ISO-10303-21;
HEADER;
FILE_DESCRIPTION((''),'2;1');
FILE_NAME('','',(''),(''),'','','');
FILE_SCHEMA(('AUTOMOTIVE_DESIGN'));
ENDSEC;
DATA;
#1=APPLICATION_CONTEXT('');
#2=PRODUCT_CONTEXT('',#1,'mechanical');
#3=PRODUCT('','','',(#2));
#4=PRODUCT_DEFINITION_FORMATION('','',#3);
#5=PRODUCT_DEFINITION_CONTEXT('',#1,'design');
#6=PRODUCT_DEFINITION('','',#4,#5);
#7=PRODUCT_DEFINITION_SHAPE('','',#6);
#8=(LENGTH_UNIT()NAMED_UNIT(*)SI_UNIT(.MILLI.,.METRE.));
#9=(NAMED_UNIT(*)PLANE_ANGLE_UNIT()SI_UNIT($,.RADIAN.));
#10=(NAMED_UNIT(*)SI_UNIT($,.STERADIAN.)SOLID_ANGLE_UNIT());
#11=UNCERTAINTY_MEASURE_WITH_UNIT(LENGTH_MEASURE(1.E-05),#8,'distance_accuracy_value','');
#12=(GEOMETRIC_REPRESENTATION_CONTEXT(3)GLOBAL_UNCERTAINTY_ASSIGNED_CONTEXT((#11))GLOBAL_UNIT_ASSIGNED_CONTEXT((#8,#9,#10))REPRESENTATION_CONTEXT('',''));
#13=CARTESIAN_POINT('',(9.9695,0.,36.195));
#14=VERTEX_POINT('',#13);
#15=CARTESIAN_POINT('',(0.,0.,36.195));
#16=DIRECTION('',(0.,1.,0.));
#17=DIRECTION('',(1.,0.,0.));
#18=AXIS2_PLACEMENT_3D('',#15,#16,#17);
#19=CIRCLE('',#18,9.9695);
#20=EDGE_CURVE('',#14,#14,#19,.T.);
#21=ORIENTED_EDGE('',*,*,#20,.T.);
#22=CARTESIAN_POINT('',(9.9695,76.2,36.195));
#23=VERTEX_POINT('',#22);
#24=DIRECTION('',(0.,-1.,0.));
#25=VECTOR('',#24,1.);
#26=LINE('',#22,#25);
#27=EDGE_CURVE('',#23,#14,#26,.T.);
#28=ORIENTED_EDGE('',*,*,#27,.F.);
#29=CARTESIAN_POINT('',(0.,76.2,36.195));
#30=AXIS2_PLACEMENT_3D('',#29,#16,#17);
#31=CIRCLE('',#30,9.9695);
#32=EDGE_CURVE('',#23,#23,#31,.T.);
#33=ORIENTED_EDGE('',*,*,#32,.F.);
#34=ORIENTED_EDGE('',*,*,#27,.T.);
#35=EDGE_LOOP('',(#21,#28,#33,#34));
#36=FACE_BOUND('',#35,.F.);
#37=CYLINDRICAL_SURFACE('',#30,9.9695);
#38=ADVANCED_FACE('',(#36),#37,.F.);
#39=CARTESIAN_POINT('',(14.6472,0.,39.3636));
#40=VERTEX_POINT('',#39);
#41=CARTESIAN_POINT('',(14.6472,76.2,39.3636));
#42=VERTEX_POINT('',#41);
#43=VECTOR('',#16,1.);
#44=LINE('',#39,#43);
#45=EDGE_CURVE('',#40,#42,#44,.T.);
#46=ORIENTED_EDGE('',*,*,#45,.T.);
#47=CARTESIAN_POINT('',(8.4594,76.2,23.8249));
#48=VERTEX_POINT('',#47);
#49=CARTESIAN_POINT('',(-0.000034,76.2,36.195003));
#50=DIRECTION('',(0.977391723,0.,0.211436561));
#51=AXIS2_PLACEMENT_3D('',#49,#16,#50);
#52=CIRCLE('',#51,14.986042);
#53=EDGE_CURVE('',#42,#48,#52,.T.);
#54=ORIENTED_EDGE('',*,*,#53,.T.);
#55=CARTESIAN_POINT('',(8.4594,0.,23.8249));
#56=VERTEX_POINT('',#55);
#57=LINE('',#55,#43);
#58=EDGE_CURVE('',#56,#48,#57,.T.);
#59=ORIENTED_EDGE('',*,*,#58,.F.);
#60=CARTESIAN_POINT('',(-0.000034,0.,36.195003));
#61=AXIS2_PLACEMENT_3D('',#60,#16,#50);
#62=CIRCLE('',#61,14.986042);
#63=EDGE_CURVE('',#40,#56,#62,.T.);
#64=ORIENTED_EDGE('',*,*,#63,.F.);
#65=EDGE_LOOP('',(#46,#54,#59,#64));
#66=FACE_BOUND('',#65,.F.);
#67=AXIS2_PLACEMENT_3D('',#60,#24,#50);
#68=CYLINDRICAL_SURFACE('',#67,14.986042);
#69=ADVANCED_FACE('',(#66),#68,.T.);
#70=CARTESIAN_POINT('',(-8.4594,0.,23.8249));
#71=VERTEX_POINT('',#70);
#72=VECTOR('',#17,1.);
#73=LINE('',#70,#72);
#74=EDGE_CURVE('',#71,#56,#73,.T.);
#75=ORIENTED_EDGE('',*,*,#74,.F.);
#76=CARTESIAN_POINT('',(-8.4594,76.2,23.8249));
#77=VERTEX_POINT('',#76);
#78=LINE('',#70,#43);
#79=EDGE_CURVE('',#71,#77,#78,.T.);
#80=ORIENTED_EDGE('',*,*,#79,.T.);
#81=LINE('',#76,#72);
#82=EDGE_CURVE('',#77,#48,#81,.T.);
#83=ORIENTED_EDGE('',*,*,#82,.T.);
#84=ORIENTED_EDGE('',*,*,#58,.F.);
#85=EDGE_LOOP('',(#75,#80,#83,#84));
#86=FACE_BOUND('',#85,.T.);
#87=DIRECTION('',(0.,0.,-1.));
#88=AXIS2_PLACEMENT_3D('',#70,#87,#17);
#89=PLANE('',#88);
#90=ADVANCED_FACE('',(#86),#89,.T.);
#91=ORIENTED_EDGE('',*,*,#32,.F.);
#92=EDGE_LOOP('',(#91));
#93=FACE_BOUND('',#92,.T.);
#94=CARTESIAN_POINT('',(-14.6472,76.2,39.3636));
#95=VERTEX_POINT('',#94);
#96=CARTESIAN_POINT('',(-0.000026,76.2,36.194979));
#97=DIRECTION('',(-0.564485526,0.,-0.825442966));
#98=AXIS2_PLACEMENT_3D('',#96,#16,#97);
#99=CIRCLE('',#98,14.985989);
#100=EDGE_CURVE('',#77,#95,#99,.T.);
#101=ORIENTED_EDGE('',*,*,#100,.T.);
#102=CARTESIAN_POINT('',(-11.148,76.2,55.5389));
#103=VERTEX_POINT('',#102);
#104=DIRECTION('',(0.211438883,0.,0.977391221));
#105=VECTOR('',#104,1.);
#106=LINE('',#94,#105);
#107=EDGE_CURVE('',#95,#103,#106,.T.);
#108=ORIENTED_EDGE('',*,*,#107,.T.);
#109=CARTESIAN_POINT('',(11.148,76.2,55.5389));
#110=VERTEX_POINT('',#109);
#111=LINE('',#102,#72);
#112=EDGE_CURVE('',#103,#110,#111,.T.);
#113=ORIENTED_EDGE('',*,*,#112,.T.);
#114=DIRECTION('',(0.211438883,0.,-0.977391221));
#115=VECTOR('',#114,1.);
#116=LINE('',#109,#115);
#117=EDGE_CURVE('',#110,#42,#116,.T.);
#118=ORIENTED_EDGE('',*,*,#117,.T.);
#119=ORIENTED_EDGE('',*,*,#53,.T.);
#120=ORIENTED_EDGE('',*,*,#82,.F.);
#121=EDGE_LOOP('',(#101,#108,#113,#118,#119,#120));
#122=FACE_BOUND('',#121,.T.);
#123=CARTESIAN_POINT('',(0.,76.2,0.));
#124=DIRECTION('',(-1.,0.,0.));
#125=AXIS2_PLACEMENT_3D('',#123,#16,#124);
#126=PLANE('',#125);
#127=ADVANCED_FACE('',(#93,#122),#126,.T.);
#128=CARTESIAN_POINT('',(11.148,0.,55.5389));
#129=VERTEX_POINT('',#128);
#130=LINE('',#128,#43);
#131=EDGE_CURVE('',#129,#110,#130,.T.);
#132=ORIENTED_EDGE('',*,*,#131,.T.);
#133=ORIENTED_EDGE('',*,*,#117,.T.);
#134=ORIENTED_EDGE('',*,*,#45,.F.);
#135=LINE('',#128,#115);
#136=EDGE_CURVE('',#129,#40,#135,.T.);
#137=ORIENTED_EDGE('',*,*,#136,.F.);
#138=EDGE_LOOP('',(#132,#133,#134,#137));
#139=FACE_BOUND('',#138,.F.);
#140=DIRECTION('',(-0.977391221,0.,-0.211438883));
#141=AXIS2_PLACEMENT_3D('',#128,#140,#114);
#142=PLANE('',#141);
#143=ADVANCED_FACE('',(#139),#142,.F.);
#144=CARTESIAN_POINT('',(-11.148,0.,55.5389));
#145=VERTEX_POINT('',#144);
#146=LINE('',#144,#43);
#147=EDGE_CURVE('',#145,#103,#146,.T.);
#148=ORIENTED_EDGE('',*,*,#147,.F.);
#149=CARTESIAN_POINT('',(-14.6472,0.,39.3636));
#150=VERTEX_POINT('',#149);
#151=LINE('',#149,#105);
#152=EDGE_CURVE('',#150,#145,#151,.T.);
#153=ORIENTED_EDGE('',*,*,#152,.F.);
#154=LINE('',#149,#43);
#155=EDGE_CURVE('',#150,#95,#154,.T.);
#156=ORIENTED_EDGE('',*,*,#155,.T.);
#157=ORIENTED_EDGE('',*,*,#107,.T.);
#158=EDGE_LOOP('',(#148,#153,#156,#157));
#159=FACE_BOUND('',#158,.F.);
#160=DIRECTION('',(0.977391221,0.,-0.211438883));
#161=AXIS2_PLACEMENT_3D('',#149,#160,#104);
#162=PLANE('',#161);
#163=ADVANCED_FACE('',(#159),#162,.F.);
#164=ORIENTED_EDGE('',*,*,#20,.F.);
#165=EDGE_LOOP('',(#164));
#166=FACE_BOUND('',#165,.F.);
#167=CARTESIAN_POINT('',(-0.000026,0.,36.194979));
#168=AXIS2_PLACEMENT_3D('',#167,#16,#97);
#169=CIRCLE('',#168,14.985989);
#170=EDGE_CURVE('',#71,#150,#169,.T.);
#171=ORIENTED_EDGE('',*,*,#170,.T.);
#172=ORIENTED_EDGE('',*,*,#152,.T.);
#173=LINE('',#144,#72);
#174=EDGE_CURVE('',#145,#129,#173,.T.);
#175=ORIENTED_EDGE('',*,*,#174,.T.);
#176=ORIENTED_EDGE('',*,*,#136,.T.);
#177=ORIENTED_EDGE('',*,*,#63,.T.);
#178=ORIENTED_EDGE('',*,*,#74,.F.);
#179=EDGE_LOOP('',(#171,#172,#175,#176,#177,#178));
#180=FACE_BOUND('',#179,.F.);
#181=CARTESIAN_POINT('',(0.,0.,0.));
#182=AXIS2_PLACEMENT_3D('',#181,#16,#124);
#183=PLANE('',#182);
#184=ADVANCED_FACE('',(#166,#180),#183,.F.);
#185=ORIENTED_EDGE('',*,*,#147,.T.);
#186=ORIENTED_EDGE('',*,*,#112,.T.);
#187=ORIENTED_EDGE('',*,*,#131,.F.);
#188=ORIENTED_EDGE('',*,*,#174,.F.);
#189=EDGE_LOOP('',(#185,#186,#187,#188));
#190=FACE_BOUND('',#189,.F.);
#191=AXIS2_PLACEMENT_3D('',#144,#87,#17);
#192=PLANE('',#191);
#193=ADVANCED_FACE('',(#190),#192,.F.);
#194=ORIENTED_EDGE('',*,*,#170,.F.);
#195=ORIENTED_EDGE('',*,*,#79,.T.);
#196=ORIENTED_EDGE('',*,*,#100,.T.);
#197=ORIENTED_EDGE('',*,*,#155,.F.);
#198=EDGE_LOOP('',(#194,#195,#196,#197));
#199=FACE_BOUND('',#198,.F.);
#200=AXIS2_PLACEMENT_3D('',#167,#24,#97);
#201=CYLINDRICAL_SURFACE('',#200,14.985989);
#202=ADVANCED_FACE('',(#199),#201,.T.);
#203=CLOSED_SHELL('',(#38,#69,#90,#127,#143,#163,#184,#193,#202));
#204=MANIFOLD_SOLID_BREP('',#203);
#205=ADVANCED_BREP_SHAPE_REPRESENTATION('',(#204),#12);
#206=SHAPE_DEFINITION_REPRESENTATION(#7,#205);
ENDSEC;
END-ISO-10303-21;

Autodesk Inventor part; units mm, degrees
ref_plane "YZ Plane" through (0, 0, 0) normal (1, 0, 0) x (0, 1, 0)
ref_plane "XZ Plane" through (0, 0, 0) normal (0, 1, 0) x (-1, 0, 0)
ref_plane "XY Plane" through (0, 0, 0) normal (0, 0, 1) x (1, 0, 0)
sketch "Sketch1" plane through (0, 0, 0) normal (0, 1, 0) x (-1, 0, 0)
  line L0 (19.6595, 54.9113) -> (15.5413, 59.0295)
  arc A0 (15.5413, 59.0295) -> (13.0268, 60.071) centre (13.0268, 56.515) ccw
  line L1 (13.0268, 60.071) -> (-13.0268, 60.071)
  arc A1 (-13.0268, 60.071) -> (-15.5413, 59.0295) centre (-13.0268, 56.515) ccw
  line L2 (-15.5413, 59.0295) -> (-19.6595, 54.9113)
  arc A2 (-19.6595, 54.9113) -> (-20.701, 52.3968) centre (-17.145, 52.3968) ccw
  line L3 (-20.701, 52.3968) -> (-20.701, 0)
  arc A3 (-20.701, 0) -> (20.701, 0) centre (0, 0) ccw
  line L4 (20.701, 0) -> (20.701, 52.3968)
  arc A4 (20.701, 52.3968) -> (19.6595, 54.9113) centre (17.145, 52.3968) ccw
  arc A5 (8.4594, 23.8249) -> (8.3222, 23.1257) centre (8.7461, 23.4056) ccw
  arc A6 (8.4594, 23.8249) -> (14.6472, 39.3636) centre (0, 36.195) ccw
  line L5 (14.6472, 39.3636) -> (11.148, 55.5389)
  arc A7 (11.5371, 56.1429) -> (11.148, 55.5389) centre (11.6445, 55.6463) ccw
  line L6 (11.5371, 56.1429) -> (13.5232, 56.5725)
  arc A8 (14.1271, 56.1834) -> (13.5232, 56.5725) centre (13.6306, 56.076) ccw
  line L7 (14.1271, 56.1834) -> (17.6263, 40.0081)
  arc A9 (10.1516, 21.2896) -> (17.6263, 40.0081) centre (0, 36.195) ccw
  arc A10 (9.4417, 21.4297) -> (10.1516, 21.2896) centre (9.8656, 21.7095) ccw
  line L8 (9.4417, 21.4297) -> (8.3222, 23.1257)
  arc A11 (-13.5232, 56.5725) -> (-14.1271, 56.1834) centre (-13.6306, 56.076) ccw
  line L9 (-13.5232, 56.5725) -> (-11.5371, 56.1429)
  arc A12 (-11.148, 55.5389) -> (-11.5371, 56.1429) centre (-11.6445, 55.6463) ccw
  line L10 (-11.148, 55.5389) -> (-14.6472, 39.3636)
  arc A13 (-14.6472, 39.3636) -> (-8.4594, 23.8249) centre (0, 36.195) ccw
  arc A14 (-8.3222, 23.1257) -> (-8.4594, 23.8249) centre (-8.7461, 23.4056) ccw
  line L11 (-8.3222, 23.1257) -> (-9.4417, 21.4297)
  arc A15 (-10.1516, 21.2896) -> (-9.4417, 21.4297) centre (-9.8656, 21.7095) ccw
  arc A16 (-17.6263, 40.0081) -> (-10.1516, 21.2896) centre (0, 36.195) ccw
  line L12 (-17.6263, 40.0081) -> (-14.1271, 56.1834)
  circle A17 centre (0, 0) radius 20.193
  line L13 (11.148, 55.5389) -> (-11.148, 55.5389)
  line L14 (11.148, 55.5389) -> (14.6472, 39.3636)
  arc A18 (8.4594, 23.8249) -> (14.6472, 39.3636) centre (0, 36.195) ccw
  line L15 (-11.148, 55.5389) -> (-14.6472, 39.3636)
  arc A19 (-14.6472, 39.3636) -> (-8.4594, 23.8249) centre (0, 36.195) ccw
  line L16 (8.4594, 23.8249) -> (-8.4594, 23.8249)
extrude "Extrusion1" add sketch "Sketch1" along normal blind 76.2 contours L16 A13 L10 L13 L5 A6
sketch "Sketch2" plane through (0, 76.2, 0) normal (0, 1, 0) x (1, 0, 0)
  line L0 (-11.148, -55.5389) -> (11.148, -55.5389) projected
  line L1 (11.148, -55.5389) -> (14.6472, -39.3636) projected
  arc A0 (14.6472, -39.3636) -> (8.4594, -23.8249) centre (0, -36.195) ccw projected
  line L2 (8.4594, -23.8249) -> (-8.4594, -23.8249) projected
  arc A1 (-8.4594, -23.8249) -> (-14.6472, -39.3636) centre (0, -36.195) ccw projected
  line L3 (-14.6472, -39.3636) -> (-11.148, -55.5389) projected
  circle A2 centre (0, -36.195) radius 9.9695
  point P0 (0, 0)
  dimension "d2" = 19.939
extrude "Extrusion2" cut sketch "Sketch2" against normal blind 76.2 contours A2
properties part number "JlinearActuator1"
